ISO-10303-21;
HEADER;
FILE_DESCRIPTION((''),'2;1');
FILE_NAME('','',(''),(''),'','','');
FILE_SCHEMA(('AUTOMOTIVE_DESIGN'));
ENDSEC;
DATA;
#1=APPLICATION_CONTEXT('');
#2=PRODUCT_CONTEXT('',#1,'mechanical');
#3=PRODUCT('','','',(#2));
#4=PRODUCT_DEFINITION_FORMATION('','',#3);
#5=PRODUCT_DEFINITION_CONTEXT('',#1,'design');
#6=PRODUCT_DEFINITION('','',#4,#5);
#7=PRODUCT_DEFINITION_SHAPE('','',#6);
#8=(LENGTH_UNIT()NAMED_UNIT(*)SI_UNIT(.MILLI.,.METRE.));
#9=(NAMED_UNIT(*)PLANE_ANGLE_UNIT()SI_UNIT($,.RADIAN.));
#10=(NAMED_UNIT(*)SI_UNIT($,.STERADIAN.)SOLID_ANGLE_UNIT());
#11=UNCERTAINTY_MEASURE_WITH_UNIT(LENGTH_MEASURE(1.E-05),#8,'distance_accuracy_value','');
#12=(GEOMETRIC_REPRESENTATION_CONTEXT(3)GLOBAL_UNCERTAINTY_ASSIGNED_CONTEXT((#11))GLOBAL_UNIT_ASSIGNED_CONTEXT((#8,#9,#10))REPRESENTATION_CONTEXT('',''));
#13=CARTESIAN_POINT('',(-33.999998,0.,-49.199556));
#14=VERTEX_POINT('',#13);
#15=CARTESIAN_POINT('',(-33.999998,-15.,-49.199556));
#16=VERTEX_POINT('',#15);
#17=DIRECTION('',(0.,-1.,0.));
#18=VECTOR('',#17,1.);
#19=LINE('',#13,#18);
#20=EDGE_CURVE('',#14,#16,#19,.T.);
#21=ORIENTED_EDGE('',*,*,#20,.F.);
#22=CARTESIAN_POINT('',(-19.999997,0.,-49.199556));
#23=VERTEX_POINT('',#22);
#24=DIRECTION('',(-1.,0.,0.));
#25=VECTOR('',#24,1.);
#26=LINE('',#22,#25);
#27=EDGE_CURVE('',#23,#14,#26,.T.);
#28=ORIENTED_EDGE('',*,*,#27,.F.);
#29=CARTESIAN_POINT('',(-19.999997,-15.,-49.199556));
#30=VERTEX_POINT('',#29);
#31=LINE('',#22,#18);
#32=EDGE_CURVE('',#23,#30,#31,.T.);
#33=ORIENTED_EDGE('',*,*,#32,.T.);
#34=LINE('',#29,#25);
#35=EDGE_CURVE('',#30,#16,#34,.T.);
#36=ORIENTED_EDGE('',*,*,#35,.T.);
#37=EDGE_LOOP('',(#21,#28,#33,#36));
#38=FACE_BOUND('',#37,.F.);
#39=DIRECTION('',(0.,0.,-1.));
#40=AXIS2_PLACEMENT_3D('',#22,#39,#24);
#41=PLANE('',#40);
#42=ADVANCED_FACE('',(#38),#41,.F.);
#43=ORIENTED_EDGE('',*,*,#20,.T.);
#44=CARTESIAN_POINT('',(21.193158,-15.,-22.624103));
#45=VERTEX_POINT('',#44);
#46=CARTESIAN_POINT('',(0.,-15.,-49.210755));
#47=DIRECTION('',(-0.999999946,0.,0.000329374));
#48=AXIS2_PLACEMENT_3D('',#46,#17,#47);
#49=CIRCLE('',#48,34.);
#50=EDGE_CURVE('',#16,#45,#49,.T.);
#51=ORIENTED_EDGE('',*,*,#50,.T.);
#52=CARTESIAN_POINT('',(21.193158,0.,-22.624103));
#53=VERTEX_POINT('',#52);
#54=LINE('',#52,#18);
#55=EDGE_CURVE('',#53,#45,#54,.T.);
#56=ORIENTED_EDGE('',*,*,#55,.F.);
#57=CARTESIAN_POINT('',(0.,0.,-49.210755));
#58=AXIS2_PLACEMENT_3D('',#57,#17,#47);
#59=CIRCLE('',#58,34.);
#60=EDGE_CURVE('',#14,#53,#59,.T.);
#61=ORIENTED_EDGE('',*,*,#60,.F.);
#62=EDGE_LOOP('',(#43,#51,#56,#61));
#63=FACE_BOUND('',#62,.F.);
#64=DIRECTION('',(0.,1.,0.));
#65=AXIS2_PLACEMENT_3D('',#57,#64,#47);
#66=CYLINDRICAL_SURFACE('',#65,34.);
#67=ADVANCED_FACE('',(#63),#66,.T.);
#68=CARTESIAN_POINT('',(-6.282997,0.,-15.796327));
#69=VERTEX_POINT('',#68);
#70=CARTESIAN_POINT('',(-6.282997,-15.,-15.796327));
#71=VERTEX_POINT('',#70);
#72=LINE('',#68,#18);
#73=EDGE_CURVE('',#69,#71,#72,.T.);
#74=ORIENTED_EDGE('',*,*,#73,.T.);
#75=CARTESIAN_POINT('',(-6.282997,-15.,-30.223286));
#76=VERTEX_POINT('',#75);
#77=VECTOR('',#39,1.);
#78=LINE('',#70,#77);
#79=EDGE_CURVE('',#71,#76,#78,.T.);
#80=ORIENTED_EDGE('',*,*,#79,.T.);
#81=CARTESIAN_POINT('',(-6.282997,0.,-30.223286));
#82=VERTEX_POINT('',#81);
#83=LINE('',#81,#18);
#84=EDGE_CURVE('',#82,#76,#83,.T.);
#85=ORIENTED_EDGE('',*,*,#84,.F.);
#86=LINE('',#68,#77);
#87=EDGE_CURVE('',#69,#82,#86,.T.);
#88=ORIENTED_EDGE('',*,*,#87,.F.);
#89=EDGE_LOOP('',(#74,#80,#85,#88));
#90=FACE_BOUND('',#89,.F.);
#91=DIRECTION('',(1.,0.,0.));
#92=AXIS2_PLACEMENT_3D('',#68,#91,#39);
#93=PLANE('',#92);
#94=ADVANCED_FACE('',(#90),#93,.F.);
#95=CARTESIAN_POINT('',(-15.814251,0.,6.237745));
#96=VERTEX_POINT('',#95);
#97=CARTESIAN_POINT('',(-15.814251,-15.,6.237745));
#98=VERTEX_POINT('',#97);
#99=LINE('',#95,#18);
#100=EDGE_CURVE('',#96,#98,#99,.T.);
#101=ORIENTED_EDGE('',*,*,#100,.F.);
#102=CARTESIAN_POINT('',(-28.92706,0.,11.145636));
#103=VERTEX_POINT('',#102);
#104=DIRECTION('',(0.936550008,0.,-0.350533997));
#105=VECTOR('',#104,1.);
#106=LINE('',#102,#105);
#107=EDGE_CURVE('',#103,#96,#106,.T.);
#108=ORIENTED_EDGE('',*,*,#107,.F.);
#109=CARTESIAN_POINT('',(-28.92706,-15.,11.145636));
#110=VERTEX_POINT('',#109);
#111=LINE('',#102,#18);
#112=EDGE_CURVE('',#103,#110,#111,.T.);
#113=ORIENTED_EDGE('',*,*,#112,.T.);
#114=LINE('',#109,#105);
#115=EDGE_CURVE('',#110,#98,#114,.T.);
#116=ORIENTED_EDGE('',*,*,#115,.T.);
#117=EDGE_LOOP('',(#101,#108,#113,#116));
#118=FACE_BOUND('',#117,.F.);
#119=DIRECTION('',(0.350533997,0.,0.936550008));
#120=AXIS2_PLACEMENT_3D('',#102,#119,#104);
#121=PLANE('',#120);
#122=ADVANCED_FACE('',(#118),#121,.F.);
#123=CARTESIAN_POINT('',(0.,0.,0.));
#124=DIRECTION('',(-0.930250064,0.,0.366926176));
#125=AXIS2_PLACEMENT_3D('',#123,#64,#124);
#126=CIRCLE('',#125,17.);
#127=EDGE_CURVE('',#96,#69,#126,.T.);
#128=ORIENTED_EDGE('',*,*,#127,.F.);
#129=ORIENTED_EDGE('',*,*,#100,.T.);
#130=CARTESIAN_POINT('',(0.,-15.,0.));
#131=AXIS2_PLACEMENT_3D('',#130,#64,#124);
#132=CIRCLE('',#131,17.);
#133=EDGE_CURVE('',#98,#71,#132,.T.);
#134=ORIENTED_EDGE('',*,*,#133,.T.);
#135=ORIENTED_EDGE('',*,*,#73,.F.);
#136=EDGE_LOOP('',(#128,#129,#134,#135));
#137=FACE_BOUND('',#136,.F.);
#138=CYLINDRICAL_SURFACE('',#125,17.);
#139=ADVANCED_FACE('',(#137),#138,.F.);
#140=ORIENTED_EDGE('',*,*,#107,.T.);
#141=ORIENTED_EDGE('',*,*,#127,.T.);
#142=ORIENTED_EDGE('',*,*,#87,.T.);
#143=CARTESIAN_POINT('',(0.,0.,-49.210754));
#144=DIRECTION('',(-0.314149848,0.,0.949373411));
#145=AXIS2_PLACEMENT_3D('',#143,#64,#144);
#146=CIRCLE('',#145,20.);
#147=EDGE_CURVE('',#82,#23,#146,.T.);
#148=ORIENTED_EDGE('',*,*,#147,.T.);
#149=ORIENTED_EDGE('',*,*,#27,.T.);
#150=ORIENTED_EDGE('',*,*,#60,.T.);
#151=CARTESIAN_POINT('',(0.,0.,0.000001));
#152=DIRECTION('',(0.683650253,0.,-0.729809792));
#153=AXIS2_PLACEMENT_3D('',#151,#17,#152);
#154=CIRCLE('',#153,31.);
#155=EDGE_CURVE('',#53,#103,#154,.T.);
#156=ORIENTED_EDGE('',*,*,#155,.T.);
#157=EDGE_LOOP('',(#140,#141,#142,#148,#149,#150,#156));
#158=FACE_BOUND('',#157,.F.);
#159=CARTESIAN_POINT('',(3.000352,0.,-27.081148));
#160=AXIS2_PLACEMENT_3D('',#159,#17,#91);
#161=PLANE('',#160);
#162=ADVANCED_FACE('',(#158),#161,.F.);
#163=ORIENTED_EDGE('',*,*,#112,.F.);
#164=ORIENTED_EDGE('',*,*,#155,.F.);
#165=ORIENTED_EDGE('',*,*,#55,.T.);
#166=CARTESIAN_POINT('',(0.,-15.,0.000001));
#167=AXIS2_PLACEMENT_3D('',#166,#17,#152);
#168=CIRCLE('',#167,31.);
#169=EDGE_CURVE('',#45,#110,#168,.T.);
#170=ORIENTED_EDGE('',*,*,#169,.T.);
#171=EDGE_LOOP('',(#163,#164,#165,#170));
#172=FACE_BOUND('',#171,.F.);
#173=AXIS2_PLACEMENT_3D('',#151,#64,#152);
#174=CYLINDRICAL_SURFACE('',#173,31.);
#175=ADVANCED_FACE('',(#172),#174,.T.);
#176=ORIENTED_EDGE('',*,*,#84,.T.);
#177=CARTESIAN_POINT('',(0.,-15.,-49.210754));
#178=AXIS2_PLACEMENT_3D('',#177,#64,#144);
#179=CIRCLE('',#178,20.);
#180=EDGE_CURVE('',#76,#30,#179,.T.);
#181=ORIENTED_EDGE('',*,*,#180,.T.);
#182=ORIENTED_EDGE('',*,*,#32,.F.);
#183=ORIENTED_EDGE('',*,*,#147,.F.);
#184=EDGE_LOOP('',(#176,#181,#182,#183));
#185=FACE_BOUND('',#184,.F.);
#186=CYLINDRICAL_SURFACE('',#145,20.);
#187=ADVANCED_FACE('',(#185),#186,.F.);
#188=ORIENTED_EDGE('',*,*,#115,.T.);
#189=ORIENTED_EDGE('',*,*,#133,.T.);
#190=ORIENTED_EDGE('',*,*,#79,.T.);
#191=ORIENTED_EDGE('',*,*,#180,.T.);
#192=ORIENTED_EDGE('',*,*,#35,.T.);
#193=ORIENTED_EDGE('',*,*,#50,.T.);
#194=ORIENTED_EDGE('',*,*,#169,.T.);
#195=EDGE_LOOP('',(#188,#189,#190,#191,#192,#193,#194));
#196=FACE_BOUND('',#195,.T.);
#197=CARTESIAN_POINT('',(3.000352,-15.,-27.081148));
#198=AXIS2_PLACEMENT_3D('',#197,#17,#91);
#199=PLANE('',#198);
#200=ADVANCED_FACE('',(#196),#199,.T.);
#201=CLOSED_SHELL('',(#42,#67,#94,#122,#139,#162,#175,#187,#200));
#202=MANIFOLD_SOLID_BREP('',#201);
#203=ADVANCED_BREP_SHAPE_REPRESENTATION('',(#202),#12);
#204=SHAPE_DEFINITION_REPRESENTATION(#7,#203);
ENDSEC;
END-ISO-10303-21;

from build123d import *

# Parameters (mm, degrees)
F1_DEPTH = 15


with BuildPart() as f1:
    # F0 (on Front) → F1 (new body)
    with BuildSketch(Plane.XZ):
        with BuildLine():
            ThreePointArc((-33.999998, -49.199556), (14.750168, -79.844601), (21.193158, -22.624103))
            ThreePointArc((21.193158, -22.624103), (17.322013, 25.708907), (-28.92706, 11.145636))
            Line((-28.92706, 11.145636), (-15.814251, 6.237745))
            ThreePointArc((-15.814251, 6.237745), (15.602794, 6.749283), (-6.282997, -15.796327))
            Line((-6.282997, -15.796327), (-6.282997, -30.223286))
            ThreePointArc((-6.282997, -30.223286), (16.208752, -60.927254), (-19.999997, -49.199556))
            Line((-19.999997, -49.199556), (-33.999998, -49.199556))
        make_face()
    extrude(amount=F1_DEPTH)


solid = f1.part
